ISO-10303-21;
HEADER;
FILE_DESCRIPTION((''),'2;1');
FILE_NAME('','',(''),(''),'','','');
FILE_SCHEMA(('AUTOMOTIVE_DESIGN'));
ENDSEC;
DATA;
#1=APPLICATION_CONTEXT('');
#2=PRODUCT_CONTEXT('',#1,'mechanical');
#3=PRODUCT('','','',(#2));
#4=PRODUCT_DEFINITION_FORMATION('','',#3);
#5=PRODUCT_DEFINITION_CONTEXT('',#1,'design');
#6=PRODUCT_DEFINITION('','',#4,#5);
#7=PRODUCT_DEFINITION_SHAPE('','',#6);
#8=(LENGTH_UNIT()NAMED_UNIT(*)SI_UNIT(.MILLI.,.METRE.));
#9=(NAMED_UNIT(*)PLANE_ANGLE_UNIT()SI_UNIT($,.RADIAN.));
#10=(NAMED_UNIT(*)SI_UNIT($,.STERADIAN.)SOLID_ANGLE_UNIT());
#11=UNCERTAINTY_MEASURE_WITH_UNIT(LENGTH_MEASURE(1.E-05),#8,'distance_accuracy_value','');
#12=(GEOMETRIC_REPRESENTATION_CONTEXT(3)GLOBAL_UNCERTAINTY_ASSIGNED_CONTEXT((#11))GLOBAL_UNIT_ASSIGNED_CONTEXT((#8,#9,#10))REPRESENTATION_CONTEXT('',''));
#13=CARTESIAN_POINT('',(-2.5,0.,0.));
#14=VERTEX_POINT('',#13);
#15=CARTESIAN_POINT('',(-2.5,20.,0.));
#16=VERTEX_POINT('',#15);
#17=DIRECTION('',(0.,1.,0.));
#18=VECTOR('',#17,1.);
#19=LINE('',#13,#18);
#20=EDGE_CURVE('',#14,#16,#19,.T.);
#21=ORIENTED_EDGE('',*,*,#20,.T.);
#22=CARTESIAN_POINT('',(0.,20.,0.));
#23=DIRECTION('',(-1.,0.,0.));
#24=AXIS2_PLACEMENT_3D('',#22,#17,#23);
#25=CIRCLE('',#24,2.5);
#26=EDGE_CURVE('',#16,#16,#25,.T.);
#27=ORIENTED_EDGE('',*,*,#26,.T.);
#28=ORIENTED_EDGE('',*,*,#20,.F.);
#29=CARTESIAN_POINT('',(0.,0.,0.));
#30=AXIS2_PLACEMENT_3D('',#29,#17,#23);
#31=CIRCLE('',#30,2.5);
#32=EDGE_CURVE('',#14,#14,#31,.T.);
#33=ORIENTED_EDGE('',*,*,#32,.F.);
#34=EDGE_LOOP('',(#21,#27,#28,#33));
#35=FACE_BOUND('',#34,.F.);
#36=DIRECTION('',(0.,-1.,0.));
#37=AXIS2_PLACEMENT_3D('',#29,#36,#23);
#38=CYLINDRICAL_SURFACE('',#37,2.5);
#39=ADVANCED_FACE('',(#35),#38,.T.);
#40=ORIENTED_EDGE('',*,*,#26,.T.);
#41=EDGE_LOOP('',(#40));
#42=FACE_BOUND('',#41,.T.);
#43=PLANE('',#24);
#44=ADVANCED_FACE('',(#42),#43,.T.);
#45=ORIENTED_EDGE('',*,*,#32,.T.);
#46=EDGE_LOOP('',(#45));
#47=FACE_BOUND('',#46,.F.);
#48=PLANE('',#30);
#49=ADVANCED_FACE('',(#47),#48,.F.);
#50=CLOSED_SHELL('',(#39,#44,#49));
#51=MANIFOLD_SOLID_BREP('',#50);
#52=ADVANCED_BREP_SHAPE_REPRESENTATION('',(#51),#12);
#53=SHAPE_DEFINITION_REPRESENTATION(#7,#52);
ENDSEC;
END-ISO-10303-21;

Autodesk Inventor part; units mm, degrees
ref_plane "YZ Plane" through (0, 0, 0) normal (1, 0, 0) x (0, 1, 0)
ref_plane "XZ Plane" through (0, 0, 0) normal (0, 1, 0) x (-1, 0, 0)
ref_plane "XY Plane" through (0, 0, 0) normal (0, 0, 1) x (1, 0, 0)
sketch "Skizze1" plane through (0, 0, 0) normal (0, 1, 0) x (-1, 0, 0)
  circle A0 centre (0, 0) radius 2.5
  dimension "d2" = 20
  dimension "d4" = 5
extrude "Extrusion1" add sketch "Skizze1" along normal blind 20
